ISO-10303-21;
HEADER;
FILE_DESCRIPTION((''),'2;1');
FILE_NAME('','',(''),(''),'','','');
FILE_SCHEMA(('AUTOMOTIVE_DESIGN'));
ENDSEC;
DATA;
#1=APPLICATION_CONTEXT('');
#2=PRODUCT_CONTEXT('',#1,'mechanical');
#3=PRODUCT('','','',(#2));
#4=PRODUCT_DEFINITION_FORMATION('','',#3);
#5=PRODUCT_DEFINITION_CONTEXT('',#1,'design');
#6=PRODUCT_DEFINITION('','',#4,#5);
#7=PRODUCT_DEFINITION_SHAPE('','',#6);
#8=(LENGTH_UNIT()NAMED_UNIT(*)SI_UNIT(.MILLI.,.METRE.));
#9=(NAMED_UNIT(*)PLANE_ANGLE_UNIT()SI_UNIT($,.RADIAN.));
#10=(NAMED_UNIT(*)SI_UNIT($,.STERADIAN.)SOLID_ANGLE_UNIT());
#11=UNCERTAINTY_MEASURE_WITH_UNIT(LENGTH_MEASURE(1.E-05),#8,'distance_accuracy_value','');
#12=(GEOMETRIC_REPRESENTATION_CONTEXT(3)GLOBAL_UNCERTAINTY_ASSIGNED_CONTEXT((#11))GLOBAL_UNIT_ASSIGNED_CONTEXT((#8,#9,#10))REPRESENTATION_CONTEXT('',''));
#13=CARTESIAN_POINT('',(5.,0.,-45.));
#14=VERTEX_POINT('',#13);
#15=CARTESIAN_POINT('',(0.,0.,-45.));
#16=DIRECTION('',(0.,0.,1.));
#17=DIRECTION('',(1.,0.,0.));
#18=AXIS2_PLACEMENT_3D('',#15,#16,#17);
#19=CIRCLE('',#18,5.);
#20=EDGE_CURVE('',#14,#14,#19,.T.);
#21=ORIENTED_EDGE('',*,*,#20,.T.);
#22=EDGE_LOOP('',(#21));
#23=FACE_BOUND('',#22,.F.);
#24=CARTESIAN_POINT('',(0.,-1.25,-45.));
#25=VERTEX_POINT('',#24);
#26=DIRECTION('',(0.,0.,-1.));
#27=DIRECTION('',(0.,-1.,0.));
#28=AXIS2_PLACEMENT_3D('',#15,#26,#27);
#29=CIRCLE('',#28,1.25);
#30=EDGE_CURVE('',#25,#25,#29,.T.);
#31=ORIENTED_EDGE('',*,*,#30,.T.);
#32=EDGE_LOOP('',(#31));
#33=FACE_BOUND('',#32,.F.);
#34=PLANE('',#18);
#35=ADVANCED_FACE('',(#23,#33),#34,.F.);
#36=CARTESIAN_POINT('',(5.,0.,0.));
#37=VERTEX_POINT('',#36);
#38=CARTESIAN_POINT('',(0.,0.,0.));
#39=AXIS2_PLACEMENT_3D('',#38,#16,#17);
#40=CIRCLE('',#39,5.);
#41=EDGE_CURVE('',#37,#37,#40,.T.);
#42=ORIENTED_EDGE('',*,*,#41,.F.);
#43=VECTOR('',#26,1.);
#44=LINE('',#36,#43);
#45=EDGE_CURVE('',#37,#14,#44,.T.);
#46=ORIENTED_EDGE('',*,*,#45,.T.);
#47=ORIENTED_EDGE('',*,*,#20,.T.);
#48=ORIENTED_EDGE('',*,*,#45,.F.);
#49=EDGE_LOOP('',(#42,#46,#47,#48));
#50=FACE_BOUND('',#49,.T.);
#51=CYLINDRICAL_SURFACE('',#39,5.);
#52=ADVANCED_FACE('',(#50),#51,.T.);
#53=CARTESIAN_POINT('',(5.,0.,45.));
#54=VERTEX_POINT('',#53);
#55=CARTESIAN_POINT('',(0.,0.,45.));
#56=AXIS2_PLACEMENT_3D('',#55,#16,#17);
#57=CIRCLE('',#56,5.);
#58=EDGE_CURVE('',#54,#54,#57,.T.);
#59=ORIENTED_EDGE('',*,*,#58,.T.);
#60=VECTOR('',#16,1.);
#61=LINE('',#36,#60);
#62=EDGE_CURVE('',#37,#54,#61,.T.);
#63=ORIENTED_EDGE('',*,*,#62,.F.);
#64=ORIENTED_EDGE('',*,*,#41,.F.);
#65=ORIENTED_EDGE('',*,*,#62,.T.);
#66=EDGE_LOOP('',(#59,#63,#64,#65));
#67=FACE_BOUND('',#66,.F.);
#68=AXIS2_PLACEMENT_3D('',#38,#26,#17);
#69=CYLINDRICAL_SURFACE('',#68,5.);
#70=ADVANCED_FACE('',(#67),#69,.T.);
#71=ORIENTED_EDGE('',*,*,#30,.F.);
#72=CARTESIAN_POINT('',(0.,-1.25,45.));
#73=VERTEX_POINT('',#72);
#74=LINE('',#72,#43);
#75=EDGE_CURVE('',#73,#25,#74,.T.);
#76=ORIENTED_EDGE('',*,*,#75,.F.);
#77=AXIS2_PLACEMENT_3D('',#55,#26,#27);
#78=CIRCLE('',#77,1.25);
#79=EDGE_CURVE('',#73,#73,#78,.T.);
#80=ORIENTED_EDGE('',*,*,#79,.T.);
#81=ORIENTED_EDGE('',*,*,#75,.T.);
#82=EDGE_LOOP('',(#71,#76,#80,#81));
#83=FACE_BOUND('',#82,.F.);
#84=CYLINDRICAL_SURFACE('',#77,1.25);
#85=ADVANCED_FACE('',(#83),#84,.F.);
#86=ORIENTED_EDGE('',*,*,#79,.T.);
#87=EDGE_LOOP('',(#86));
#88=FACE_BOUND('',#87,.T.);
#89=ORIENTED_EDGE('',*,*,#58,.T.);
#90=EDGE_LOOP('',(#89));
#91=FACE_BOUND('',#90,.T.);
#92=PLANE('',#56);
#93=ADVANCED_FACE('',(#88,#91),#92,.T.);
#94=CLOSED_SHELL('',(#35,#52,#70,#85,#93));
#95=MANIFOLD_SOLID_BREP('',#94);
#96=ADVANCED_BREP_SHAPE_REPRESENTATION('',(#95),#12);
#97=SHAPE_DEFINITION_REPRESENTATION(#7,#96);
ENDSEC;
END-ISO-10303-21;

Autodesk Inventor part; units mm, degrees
ref_plane "YZ Plane" through (0, 0, 0) normal (1, 0, 0) x (0, 1, 0)
ref_plane "XZ Plane" through (0, 0, 0) normal (0, 1, 0) x (-1, 0, 0)
ref_plane "XY Plane" through (0, 0, 0) normal (0, 0, 1) x (1, 0, 0)
sketch "スケッチ1" plane through (0, 0, 0) normal (0, 0, 1) x (1, 0, 0)
  circle A0 centre (0, 0) radius 5
  dimension "d0" = 10
extrude "押し出し1" add sketch "スケッチ1" along normal mid plane 90
sketch "スケッチ2" plane through (0, 0, 45) normal (0, 0, 1) x (1, 0, 0)
  point P0 (0, 0)
hole "穴1" at (0, 0, 45) direction (0, 0, -1) diameter 2.5 end through all
properties part number "ベースパーツ_アーム固定部分"
